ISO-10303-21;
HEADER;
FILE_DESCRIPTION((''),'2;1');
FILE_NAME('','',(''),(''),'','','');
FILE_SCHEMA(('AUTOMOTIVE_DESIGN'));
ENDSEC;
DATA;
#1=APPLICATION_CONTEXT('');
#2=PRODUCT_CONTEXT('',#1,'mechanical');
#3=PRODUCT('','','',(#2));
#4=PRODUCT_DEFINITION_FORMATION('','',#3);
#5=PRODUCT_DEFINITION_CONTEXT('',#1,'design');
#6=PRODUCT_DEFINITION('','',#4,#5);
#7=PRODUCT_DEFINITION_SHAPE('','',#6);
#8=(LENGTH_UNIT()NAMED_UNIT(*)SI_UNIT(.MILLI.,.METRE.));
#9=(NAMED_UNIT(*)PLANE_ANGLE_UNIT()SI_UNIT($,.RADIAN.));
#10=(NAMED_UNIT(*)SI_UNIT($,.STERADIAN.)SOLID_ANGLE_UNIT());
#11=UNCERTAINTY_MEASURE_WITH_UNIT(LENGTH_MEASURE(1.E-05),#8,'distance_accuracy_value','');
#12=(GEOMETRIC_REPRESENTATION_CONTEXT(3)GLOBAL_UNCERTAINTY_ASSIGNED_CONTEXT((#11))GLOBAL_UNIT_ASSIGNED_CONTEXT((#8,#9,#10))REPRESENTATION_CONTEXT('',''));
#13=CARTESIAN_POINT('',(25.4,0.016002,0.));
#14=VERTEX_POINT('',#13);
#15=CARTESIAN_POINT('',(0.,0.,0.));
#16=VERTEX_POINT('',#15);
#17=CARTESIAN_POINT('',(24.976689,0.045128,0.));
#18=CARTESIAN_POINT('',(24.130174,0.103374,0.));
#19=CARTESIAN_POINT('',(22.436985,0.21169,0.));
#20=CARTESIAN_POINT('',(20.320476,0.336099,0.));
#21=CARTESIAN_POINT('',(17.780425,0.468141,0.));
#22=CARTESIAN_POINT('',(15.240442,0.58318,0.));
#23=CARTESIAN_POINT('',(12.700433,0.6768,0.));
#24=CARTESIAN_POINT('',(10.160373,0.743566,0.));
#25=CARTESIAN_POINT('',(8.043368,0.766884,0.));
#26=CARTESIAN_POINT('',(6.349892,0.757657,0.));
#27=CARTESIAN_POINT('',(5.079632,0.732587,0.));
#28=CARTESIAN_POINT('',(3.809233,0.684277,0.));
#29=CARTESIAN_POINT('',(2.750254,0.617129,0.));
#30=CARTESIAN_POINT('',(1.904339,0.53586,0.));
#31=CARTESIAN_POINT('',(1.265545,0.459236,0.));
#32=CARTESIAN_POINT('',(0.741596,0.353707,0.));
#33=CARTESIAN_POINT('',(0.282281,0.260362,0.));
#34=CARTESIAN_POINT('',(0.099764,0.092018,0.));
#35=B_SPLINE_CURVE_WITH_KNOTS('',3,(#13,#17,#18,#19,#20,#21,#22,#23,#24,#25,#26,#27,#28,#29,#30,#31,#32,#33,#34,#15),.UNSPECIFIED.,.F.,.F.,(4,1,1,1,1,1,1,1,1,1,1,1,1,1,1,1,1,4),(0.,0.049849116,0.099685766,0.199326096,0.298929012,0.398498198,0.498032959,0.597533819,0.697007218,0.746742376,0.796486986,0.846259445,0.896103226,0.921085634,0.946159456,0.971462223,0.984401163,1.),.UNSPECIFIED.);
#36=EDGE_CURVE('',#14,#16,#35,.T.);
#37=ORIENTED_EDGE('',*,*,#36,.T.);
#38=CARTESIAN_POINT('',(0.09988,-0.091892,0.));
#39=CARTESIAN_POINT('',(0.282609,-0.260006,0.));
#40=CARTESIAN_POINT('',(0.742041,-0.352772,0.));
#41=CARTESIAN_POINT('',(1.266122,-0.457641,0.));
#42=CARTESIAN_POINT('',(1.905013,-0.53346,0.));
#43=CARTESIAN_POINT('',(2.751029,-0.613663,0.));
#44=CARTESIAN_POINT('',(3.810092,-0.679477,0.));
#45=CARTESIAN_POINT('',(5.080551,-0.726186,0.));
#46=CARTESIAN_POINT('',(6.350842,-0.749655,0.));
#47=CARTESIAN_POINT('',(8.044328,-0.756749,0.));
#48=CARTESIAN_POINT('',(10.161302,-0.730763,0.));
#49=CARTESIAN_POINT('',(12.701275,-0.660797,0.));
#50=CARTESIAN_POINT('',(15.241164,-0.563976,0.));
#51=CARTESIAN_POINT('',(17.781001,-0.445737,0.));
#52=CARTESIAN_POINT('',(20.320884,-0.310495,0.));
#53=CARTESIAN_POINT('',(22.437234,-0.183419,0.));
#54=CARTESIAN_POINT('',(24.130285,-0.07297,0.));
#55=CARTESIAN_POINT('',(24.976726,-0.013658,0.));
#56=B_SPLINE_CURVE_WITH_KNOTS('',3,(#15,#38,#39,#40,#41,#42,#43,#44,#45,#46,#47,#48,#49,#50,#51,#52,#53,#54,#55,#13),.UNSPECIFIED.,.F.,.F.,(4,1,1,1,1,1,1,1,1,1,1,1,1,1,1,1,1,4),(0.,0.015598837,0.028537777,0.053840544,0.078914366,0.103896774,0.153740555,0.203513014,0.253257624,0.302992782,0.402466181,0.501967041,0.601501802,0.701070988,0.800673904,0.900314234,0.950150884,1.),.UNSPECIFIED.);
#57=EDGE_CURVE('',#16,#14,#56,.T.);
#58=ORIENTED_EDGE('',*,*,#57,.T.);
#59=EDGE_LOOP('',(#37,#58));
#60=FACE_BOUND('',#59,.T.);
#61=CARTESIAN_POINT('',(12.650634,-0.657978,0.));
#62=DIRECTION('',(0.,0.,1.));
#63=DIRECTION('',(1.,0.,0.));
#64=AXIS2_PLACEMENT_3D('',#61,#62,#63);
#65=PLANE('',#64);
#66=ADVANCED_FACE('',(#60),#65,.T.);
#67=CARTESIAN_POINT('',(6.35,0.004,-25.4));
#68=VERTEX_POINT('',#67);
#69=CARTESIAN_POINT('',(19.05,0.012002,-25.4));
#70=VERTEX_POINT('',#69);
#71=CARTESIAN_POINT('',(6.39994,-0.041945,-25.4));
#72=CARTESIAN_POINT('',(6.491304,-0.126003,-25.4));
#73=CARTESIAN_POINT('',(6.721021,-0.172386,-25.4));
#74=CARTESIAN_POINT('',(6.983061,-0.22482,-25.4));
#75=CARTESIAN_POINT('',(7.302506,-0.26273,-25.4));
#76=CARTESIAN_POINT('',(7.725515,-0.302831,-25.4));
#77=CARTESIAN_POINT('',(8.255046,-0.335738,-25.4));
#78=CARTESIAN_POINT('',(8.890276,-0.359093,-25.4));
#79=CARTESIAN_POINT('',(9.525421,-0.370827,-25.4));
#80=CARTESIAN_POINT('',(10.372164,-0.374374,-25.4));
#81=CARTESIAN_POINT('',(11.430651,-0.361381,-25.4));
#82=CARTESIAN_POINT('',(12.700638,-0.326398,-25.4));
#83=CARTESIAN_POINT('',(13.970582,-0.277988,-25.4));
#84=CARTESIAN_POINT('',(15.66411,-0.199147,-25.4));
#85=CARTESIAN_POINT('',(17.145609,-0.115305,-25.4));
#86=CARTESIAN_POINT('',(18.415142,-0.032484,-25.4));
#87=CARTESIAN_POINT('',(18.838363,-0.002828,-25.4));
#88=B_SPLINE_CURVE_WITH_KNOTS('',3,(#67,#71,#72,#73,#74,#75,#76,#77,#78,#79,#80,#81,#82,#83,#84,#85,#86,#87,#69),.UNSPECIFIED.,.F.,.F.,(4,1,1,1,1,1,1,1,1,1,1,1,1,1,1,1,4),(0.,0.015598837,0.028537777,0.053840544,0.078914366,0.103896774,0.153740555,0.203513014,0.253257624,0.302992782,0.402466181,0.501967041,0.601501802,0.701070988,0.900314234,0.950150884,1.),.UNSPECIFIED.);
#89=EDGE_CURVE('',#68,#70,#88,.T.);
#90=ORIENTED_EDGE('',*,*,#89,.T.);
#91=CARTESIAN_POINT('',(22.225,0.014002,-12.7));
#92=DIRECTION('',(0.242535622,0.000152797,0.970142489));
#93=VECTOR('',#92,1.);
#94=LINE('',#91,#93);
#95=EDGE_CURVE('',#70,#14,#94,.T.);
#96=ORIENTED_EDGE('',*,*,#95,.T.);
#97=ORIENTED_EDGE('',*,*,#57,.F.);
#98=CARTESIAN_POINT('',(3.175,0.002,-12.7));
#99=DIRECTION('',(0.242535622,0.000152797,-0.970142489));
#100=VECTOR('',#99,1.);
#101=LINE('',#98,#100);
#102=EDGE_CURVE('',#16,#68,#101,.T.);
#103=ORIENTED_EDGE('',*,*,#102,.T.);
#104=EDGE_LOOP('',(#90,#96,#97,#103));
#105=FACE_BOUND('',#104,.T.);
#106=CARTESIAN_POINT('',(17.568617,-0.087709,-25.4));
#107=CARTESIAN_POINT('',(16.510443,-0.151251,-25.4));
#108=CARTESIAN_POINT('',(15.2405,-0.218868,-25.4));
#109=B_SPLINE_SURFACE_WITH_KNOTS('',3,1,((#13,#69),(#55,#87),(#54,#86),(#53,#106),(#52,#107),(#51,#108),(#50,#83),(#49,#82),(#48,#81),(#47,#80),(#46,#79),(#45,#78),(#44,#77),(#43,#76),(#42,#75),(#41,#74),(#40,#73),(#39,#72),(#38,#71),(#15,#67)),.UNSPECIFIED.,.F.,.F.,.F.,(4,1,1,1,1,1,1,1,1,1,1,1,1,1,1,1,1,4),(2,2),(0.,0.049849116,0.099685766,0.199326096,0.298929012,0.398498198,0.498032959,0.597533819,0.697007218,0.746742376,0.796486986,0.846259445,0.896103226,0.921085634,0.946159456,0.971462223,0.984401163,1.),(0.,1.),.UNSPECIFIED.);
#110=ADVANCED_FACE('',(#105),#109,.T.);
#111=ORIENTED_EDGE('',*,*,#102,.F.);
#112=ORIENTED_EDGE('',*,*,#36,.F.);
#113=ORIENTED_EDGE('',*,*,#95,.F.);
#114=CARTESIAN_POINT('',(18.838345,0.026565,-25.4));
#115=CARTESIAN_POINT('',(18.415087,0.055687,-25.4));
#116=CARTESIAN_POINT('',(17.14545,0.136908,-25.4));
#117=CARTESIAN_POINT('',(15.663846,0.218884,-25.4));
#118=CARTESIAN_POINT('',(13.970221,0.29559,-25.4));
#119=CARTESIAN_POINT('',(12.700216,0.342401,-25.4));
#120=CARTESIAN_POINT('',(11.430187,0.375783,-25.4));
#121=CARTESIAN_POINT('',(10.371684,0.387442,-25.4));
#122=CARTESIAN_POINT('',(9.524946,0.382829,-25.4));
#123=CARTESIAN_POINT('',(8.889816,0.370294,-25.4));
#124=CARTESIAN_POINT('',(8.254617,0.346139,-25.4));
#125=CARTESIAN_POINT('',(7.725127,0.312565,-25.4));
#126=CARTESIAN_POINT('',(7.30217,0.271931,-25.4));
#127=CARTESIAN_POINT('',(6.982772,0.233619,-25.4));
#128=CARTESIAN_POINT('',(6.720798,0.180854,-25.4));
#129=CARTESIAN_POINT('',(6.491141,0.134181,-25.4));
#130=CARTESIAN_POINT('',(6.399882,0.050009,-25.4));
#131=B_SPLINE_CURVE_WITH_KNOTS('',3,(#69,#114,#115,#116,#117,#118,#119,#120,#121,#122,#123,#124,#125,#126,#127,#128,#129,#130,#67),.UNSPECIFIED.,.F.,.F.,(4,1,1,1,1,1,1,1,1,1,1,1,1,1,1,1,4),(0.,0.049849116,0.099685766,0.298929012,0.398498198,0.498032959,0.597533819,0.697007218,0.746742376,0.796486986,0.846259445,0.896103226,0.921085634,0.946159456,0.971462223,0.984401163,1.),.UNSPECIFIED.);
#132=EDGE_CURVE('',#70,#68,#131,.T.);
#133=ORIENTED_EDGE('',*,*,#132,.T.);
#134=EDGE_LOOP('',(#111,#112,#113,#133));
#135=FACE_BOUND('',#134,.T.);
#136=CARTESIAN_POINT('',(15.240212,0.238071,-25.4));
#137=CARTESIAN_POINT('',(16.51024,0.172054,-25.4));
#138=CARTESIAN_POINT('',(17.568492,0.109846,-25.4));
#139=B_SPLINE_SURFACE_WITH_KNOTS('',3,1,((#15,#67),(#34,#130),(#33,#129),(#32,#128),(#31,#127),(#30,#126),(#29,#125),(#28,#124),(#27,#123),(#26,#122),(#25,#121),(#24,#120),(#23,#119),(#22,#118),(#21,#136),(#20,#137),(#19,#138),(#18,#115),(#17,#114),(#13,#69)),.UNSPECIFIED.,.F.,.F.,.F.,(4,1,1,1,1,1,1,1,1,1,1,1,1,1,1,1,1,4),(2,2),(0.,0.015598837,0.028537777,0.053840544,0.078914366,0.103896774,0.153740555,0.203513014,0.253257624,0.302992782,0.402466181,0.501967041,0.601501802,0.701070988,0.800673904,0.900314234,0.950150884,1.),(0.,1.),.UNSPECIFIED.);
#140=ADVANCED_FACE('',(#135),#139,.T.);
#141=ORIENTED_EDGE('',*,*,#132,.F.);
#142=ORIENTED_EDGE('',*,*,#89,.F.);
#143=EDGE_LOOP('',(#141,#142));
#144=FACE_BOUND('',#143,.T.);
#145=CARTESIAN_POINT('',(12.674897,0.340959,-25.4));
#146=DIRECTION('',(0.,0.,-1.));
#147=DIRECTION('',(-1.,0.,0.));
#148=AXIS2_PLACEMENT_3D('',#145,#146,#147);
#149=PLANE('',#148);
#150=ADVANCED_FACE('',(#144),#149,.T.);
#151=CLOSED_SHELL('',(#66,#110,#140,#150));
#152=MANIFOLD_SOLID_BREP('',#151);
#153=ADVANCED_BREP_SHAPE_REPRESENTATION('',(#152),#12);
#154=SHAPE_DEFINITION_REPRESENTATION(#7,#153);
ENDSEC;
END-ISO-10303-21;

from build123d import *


with BuildPart() as part:
    # Sketch3 → Loft1 section 0
    with BuildSketch(Plane.XY):
        with BuildLine():
            add(Edge.make_bspline(
                [(25.4, 0.016002), (24.976689347, 0.045128319), (24.130173893, 0.103373674), (22.436984743, 0.211690076), (20.320476425, 0.336098703), (17.780424984, 0.468140519), (15.240441761, 0.583179797), (12.70043257, 0.676800495), (10.160373442, 0.743565548), (8.043368113, 0.766883897), (6.349891999, 0.757656949), (5.0796323, 0.732587272), (3.809233087, 0.684277408), (2.750253633, 0.617129059), (1.904339013, 0.535860237), (1.265544857, 0.459236431), (0.74159607, 0.353706876), (0.282281055, 0.260361913), (0.09976425, 0.09201755), (0, 0)],
                knots=[0, 0, 0, 0, 0.049849116, 0.099685766, 0.199326096, 0.298929012, 0.398498198, 0.498032959, 0.597533819, 0.697007218, 0.746742376, 0.796486986, 0.846259445, 0.896103226, 0.921085634, 0.946159456, 0.971462223, 0.984401163, 1, 1, 1, 1], degree=3))
            add(Edge.make_bspline(
                [(25.4, 0.016002), (24.976726383, -0.013657667), (24.13028499, -0.072969585), (22.437233662, -0.183419318), (20.320883779, -0.310494646), (17.781000726, -0.445736821), (15.24116447, -0.563976385), (12.701275256, -0.660797419), (10.161302269, -0.730762892), (8.044328001, -0.756748648), (6.350841605, -0.749655487), (5.080551327, -0.726186357), (3.810092253, -0.679477233), (2.751029032, -0.613663251), (1.905012685, -0.533460346), (1.26612249, -0.457641481), (0.742041152, -0.352772185), (0.282608887, -0.260006032), (0.099880113, -0.091891774), (0, 0)],
                knots=[0, 0, 0, 0, 0.049849116, 0.099685766, 0.199326096, 0.298929012, 0.398498198, 0.498032959, 0.597533819, 0.697007218, 0.746742376, 0.796486986, 0.846259445, 0.896103226, 0.921085634, 0.946159456, 0.971462223, 0.984401163, 1, 1, 1, 1], degree=3))
        make_face()
    # Sketch4 → Loft1 section 1
    with BuildSketch(Plane.XY.offset(-25.4)):
        with BuildLine():
            add(Edge.make_bspline(
                [(19.05, 0.0120015), (18.838363191, -0.002828334), (18.415142495, -0.032484292), (17.145609377, -0.115304932), (15.664109851, -0.19914719), (13.970582235, -0.277987693), (12.700637628, -0.32639821), (11.430651135, -0.361380946), (10.372164001, -0.374373824), (9.525420803, -0.370827243), (8.890275664, -0.359092678), (8.255046126, -0.335738117), (7.725514516, -0.302831125), (7.302506343, -0.262729673), (6.983061245, -0.224820241), (6.721020576, -0.172385592), (6.491304443, -0.126002516), (6.399940057, -0.041945387), (6.35, 0.0040005)],
                knots=[0, 0, 0, 0, 0.049849116, 0.099685766, 0.298929012, 0.398498198, 0.498032959, 0.597533819, 0.697007218, 0.746742376, 0.796486986, 0.846259445, 0.896103226, 0.921085634, 0.946159456, 0.971462223, 0.984401163, 1, 1, 1, 1], degree=3))
            add(Edge.make_bspline(
                [(19.05, 0.0120015), (18.838344674, 0.026564659), (18.415086947, 0.055687337), (17.145450483, 0.1369083), (15.663846491, 0.218883802), (13.970220881, 0.295590399), (12.700216285, 0.342400747), (11.430186721, 0.375783274), (10.371684056, 0.387442448), (9.524945999, 0.382828975), (8.88981615, 0.370294136), (8.254616544, 0.346139204), (7.725126817, 0.31256503), (7.302169507, 0.271930619), (6.982772428, 0.233618716), (6.720798035, 0.180853938), (6.491140528, 0.134181457), (6.399882125, 0.050009275), (6.35, 0.0040005)],
                knots=[0, 0, 0, 0, 0.049849116, 0.099685766, 0.298929012, 0.398498198, 0.498032959, 0.597533819, 0.697007218, 0.746742376, 0.796486986, 0.846259445, 0.896103226, 0.921085634, 0.946159456, 0.971462223, 0.984401163, 1, 1, 1, 1], degree=3))
        make_face()
    loft()


solid = part.part
